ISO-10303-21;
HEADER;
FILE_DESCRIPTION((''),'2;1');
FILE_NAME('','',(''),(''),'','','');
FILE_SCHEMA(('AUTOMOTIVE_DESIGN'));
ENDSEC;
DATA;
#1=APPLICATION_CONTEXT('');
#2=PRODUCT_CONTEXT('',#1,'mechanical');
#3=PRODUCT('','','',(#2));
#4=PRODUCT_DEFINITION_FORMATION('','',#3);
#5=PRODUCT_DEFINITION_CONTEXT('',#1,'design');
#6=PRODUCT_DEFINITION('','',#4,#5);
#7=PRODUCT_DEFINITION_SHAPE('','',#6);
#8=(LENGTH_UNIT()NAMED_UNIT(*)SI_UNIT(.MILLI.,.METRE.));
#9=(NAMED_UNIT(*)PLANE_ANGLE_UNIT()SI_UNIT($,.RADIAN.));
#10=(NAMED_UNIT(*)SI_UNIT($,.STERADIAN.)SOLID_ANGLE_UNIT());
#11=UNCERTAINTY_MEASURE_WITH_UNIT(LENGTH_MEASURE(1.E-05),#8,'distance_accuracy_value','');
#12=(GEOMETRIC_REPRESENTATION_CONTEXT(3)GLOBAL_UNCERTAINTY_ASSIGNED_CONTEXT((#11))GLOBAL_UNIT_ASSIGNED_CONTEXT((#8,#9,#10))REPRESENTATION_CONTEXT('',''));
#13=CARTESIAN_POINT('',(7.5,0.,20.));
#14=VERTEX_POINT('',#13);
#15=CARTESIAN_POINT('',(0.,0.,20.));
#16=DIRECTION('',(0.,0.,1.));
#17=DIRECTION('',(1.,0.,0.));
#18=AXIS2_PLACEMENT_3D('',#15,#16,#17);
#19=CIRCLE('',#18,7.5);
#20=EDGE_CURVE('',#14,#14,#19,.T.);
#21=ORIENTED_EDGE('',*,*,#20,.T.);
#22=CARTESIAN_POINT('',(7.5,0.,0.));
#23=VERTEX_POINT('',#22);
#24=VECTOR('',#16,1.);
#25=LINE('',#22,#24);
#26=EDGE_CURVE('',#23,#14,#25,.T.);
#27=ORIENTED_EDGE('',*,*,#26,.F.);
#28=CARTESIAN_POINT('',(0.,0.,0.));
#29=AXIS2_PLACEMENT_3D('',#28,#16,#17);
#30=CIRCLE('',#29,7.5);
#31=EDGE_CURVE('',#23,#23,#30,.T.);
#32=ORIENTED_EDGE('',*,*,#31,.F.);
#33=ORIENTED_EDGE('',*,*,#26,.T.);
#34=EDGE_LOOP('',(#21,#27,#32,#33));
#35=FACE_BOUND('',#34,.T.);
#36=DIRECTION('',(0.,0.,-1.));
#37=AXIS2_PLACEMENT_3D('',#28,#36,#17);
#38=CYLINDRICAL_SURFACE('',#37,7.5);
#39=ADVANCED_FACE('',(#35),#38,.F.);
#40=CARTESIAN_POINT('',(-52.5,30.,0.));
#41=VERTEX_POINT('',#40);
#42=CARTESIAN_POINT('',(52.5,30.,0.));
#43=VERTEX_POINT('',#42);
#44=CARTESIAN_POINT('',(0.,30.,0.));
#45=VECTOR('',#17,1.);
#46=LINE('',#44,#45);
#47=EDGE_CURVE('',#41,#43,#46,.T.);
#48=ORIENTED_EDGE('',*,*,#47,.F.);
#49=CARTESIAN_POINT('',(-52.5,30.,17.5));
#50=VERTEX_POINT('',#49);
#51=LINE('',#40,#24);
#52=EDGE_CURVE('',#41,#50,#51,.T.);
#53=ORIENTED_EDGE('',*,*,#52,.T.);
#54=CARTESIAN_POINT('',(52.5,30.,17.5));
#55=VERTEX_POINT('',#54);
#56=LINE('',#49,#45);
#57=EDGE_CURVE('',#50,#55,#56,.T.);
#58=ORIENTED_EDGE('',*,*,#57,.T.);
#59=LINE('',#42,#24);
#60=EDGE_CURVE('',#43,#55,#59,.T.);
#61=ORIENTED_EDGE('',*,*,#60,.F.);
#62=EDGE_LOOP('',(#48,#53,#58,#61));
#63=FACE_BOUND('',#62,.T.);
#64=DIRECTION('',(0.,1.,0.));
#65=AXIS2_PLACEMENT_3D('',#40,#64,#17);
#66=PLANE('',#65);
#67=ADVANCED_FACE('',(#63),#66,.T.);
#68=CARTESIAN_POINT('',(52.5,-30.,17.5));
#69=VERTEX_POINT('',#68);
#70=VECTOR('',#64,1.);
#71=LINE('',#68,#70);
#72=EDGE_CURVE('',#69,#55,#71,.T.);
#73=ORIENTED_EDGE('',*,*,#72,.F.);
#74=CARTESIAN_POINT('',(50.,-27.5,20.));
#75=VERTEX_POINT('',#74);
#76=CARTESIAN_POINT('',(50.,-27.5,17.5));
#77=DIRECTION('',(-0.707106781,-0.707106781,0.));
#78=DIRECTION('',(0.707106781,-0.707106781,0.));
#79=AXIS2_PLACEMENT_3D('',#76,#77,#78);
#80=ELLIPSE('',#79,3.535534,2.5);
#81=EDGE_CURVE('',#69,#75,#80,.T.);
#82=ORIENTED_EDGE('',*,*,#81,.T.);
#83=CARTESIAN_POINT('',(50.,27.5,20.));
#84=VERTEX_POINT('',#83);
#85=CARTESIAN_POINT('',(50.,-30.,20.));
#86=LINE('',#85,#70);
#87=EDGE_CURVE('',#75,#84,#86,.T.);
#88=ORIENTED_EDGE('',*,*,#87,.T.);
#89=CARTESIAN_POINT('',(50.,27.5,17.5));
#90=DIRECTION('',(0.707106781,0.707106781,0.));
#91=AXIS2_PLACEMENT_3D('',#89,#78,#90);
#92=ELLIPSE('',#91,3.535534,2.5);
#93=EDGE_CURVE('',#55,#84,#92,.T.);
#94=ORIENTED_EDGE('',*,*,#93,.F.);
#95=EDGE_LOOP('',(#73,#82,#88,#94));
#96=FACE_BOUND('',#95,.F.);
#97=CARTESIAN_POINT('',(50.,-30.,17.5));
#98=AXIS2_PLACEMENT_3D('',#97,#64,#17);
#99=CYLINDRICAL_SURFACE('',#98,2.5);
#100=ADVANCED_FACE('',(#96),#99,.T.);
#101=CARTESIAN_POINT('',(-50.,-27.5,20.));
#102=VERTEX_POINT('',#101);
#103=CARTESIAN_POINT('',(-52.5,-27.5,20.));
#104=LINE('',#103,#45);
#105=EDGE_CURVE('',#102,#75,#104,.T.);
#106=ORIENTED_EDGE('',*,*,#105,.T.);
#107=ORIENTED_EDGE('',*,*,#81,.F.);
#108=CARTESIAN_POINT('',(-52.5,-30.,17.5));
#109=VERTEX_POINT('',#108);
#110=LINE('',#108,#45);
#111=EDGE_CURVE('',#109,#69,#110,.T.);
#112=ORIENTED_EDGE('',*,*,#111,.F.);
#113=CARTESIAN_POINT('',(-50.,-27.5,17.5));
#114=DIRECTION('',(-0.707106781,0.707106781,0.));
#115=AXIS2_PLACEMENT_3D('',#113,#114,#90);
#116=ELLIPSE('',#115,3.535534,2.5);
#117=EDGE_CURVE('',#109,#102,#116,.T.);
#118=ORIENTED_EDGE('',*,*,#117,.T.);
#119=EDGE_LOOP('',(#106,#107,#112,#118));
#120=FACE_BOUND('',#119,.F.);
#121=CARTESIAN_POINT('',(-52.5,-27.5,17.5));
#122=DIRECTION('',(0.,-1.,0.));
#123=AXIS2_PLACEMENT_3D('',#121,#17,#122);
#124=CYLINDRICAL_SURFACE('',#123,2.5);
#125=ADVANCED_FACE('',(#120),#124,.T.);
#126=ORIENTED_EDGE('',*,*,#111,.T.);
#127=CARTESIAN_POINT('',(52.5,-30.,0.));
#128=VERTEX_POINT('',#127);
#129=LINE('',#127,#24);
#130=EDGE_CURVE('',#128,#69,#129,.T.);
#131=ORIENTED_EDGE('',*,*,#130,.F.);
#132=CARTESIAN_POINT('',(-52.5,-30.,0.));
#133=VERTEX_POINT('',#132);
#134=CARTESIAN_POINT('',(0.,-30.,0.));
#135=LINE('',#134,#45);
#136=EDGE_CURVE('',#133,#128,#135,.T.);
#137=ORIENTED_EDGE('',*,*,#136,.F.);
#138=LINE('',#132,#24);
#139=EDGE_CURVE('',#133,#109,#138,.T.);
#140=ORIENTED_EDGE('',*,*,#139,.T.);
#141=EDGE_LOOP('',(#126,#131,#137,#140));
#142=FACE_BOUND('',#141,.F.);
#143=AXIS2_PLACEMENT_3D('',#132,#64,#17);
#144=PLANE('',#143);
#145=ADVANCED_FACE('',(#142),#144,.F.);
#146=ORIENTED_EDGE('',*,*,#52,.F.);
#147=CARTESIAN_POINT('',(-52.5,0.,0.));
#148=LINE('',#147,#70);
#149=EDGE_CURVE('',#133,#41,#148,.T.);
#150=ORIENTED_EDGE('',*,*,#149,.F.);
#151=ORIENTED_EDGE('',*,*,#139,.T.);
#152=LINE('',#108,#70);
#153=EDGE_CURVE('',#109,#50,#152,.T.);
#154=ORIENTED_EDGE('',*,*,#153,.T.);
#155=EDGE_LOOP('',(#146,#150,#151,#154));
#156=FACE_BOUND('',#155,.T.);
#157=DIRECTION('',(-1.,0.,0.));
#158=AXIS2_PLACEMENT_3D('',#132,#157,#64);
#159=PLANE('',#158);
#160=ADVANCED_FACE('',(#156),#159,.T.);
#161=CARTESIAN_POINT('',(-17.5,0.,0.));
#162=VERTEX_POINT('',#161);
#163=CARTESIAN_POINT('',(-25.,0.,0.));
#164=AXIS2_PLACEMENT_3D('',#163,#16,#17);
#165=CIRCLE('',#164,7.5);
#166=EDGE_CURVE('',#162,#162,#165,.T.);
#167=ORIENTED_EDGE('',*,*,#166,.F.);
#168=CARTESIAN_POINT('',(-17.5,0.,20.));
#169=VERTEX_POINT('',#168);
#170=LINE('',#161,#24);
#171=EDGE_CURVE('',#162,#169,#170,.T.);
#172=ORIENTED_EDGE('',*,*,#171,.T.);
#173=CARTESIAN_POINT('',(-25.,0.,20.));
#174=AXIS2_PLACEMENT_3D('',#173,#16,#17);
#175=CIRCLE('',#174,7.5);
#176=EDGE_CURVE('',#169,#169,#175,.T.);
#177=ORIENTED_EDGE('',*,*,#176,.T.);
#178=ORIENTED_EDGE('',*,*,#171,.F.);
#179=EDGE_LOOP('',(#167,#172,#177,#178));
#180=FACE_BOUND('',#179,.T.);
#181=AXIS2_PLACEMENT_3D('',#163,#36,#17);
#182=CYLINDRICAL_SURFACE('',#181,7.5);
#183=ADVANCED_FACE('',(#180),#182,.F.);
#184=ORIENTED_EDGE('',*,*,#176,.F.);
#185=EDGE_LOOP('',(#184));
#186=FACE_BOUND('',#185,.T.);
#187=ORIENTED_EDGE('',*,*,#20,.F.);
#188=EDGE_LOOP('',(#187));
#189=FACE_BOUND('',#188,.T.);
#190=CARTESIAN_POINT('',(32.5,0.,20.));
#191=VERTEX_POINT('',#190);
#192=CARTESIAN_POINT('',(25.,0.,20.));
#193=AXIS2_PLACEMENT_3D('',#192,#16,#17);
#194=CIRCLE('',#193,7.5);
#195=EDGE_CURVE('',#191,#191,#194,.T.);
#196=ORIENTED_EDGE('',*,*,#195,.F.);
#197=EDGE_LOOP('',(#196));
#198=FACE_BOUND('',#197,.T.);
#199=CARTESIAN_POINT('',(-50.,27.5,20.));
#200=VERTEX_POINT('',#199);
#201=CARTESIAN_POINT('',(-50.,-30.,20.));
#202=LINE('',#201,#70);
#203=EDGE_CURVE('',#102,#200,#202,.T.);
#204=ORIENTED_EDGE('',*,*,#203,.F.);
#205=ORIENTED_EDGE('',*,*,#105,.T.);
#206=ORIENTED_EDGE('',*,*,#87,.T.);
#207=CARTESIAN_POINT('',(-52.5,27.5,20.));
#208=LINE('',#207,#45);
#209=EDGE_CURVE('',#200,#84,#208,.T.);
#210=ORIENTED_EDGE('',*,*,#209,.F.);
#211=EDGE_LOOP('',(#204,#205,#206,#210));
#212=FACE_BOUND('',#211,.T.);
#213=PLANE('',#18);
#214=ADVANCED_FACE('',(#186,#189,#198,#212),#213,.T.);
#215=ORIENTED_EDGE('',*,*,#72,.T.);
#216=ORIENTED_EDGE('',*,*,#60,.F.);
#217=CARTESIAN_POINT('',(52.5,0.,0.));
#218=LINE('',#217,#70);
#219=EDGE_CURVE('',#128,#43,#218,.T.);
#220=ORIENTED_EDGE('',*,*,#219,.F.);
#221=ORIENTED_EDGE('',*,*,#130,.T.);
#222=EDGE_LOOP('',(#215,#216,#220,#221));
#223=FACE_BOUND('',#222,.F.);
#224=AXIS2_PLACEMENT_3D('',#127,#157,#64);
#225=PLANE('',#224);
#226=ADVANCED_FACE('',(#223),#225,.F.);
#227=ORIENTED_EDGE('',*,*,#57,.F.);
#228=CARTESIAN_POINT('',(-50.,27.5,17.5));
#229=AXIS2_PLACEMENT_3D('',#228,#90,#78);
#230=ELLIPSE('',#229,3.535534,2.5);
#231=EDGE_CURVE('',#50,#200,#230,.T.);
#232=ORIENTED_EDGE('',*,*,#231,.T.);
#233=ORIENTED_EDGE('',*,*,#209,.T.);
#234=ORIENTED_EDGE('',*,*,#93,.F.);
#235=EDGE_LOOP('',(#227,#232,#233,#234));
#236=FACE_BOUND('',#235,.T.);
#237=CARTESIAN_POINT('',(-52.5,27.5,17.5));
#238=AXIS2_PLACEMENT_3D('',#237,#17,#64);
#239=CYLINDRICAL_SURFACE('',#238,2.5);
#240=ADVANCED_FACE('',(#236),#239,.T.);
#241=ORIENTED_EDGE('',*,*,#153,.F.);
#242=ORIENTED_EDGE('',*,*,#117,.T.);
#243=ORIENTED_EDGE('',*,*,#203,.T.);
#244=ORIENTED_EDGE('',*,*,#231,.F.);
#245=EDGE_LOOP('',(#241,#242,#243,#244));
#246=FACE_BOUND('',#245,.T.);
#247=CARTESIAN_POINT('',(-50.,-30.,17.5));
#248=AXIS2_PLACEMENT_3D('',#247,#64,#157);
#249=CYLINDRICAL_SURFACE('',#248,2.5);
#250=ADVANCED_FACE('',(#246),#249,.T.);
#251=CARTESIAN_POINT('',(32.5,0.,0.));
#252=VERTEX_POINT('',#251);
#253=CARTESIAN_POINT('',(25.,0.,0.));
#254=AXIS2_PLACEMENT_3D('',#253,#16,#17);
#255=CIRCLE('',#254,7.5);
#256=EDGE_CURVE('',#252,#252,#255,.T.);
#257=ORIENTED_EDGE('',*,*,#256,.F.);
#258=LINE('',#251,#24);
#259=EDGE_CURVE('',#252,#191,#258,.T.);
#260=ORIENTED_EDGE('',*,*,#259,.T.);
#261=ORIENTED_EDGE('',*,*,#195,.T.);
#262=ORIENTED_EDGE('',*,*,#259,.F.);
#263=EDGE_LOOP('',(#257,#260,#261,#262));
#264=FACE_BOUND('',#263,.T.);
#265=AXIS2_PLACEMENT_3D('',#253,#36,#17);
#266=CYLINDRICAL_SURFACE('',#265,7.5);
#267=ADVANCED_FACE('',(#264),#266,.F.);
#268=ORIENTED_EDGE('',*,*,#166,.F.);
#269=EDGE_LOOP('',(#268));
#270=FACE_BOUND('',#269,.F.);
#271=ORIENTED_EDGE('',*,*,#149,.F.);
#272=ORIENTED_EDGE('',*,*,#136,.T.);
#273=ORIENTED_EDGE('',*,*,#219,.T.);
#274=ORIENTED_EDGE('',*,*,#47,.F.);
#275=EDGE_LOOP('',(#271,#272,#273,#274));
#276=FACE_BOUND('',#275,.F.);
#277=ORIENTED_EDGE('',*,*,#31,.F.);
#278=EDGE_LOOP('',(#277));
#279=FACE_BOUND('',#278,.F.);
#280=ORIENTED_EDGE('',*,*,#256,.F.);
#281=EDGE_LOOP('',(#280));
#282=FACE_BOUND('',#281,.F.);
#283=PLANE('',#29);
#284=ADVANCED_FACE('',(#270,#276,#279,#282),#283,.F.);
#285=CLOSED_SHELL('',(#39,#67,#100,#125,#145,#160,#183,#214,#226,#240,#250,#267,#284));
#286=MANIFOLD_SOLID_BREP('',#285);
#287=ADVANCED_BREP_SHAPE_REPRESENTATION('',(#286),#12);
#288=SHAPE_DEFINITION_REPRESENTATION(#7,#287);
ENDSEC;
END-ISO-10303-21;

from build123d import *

# Parameters (mm, degrees)
F0_W     = 105
F0_H     = 60
F0_R     = 7.5
F1_DEPTH = 20
F2_R     = 2.5


with BuildPart() as f1:
    # F0 (on Top) → F1 (new body)
    with BuildSketch(Plane.XY):
        Rectangle(F0_W, F0_H)
        with Locations((-25, 0)):
            Circle(F0_R, mode=Mode.SUBTRACT)
        Circle(F0_R, mode=Mode.SUBTRACT)
        with Locations((25, 0)):
            Circle(F0_R, mode=Mode.SUBTRACT)
    extrude(amount=F1_DEPTH)

    # F2
    f2_edges = [f1.edges().sort_by_distance(p)[0] for p in [
        (0, 30, 20),
        (-52.5, 0, 20),
        (0, -30, 20),
        (52.5, 0, 20),
    ]]
    fillet(f2_edges, radius=F2_R)


solid = f1.part
